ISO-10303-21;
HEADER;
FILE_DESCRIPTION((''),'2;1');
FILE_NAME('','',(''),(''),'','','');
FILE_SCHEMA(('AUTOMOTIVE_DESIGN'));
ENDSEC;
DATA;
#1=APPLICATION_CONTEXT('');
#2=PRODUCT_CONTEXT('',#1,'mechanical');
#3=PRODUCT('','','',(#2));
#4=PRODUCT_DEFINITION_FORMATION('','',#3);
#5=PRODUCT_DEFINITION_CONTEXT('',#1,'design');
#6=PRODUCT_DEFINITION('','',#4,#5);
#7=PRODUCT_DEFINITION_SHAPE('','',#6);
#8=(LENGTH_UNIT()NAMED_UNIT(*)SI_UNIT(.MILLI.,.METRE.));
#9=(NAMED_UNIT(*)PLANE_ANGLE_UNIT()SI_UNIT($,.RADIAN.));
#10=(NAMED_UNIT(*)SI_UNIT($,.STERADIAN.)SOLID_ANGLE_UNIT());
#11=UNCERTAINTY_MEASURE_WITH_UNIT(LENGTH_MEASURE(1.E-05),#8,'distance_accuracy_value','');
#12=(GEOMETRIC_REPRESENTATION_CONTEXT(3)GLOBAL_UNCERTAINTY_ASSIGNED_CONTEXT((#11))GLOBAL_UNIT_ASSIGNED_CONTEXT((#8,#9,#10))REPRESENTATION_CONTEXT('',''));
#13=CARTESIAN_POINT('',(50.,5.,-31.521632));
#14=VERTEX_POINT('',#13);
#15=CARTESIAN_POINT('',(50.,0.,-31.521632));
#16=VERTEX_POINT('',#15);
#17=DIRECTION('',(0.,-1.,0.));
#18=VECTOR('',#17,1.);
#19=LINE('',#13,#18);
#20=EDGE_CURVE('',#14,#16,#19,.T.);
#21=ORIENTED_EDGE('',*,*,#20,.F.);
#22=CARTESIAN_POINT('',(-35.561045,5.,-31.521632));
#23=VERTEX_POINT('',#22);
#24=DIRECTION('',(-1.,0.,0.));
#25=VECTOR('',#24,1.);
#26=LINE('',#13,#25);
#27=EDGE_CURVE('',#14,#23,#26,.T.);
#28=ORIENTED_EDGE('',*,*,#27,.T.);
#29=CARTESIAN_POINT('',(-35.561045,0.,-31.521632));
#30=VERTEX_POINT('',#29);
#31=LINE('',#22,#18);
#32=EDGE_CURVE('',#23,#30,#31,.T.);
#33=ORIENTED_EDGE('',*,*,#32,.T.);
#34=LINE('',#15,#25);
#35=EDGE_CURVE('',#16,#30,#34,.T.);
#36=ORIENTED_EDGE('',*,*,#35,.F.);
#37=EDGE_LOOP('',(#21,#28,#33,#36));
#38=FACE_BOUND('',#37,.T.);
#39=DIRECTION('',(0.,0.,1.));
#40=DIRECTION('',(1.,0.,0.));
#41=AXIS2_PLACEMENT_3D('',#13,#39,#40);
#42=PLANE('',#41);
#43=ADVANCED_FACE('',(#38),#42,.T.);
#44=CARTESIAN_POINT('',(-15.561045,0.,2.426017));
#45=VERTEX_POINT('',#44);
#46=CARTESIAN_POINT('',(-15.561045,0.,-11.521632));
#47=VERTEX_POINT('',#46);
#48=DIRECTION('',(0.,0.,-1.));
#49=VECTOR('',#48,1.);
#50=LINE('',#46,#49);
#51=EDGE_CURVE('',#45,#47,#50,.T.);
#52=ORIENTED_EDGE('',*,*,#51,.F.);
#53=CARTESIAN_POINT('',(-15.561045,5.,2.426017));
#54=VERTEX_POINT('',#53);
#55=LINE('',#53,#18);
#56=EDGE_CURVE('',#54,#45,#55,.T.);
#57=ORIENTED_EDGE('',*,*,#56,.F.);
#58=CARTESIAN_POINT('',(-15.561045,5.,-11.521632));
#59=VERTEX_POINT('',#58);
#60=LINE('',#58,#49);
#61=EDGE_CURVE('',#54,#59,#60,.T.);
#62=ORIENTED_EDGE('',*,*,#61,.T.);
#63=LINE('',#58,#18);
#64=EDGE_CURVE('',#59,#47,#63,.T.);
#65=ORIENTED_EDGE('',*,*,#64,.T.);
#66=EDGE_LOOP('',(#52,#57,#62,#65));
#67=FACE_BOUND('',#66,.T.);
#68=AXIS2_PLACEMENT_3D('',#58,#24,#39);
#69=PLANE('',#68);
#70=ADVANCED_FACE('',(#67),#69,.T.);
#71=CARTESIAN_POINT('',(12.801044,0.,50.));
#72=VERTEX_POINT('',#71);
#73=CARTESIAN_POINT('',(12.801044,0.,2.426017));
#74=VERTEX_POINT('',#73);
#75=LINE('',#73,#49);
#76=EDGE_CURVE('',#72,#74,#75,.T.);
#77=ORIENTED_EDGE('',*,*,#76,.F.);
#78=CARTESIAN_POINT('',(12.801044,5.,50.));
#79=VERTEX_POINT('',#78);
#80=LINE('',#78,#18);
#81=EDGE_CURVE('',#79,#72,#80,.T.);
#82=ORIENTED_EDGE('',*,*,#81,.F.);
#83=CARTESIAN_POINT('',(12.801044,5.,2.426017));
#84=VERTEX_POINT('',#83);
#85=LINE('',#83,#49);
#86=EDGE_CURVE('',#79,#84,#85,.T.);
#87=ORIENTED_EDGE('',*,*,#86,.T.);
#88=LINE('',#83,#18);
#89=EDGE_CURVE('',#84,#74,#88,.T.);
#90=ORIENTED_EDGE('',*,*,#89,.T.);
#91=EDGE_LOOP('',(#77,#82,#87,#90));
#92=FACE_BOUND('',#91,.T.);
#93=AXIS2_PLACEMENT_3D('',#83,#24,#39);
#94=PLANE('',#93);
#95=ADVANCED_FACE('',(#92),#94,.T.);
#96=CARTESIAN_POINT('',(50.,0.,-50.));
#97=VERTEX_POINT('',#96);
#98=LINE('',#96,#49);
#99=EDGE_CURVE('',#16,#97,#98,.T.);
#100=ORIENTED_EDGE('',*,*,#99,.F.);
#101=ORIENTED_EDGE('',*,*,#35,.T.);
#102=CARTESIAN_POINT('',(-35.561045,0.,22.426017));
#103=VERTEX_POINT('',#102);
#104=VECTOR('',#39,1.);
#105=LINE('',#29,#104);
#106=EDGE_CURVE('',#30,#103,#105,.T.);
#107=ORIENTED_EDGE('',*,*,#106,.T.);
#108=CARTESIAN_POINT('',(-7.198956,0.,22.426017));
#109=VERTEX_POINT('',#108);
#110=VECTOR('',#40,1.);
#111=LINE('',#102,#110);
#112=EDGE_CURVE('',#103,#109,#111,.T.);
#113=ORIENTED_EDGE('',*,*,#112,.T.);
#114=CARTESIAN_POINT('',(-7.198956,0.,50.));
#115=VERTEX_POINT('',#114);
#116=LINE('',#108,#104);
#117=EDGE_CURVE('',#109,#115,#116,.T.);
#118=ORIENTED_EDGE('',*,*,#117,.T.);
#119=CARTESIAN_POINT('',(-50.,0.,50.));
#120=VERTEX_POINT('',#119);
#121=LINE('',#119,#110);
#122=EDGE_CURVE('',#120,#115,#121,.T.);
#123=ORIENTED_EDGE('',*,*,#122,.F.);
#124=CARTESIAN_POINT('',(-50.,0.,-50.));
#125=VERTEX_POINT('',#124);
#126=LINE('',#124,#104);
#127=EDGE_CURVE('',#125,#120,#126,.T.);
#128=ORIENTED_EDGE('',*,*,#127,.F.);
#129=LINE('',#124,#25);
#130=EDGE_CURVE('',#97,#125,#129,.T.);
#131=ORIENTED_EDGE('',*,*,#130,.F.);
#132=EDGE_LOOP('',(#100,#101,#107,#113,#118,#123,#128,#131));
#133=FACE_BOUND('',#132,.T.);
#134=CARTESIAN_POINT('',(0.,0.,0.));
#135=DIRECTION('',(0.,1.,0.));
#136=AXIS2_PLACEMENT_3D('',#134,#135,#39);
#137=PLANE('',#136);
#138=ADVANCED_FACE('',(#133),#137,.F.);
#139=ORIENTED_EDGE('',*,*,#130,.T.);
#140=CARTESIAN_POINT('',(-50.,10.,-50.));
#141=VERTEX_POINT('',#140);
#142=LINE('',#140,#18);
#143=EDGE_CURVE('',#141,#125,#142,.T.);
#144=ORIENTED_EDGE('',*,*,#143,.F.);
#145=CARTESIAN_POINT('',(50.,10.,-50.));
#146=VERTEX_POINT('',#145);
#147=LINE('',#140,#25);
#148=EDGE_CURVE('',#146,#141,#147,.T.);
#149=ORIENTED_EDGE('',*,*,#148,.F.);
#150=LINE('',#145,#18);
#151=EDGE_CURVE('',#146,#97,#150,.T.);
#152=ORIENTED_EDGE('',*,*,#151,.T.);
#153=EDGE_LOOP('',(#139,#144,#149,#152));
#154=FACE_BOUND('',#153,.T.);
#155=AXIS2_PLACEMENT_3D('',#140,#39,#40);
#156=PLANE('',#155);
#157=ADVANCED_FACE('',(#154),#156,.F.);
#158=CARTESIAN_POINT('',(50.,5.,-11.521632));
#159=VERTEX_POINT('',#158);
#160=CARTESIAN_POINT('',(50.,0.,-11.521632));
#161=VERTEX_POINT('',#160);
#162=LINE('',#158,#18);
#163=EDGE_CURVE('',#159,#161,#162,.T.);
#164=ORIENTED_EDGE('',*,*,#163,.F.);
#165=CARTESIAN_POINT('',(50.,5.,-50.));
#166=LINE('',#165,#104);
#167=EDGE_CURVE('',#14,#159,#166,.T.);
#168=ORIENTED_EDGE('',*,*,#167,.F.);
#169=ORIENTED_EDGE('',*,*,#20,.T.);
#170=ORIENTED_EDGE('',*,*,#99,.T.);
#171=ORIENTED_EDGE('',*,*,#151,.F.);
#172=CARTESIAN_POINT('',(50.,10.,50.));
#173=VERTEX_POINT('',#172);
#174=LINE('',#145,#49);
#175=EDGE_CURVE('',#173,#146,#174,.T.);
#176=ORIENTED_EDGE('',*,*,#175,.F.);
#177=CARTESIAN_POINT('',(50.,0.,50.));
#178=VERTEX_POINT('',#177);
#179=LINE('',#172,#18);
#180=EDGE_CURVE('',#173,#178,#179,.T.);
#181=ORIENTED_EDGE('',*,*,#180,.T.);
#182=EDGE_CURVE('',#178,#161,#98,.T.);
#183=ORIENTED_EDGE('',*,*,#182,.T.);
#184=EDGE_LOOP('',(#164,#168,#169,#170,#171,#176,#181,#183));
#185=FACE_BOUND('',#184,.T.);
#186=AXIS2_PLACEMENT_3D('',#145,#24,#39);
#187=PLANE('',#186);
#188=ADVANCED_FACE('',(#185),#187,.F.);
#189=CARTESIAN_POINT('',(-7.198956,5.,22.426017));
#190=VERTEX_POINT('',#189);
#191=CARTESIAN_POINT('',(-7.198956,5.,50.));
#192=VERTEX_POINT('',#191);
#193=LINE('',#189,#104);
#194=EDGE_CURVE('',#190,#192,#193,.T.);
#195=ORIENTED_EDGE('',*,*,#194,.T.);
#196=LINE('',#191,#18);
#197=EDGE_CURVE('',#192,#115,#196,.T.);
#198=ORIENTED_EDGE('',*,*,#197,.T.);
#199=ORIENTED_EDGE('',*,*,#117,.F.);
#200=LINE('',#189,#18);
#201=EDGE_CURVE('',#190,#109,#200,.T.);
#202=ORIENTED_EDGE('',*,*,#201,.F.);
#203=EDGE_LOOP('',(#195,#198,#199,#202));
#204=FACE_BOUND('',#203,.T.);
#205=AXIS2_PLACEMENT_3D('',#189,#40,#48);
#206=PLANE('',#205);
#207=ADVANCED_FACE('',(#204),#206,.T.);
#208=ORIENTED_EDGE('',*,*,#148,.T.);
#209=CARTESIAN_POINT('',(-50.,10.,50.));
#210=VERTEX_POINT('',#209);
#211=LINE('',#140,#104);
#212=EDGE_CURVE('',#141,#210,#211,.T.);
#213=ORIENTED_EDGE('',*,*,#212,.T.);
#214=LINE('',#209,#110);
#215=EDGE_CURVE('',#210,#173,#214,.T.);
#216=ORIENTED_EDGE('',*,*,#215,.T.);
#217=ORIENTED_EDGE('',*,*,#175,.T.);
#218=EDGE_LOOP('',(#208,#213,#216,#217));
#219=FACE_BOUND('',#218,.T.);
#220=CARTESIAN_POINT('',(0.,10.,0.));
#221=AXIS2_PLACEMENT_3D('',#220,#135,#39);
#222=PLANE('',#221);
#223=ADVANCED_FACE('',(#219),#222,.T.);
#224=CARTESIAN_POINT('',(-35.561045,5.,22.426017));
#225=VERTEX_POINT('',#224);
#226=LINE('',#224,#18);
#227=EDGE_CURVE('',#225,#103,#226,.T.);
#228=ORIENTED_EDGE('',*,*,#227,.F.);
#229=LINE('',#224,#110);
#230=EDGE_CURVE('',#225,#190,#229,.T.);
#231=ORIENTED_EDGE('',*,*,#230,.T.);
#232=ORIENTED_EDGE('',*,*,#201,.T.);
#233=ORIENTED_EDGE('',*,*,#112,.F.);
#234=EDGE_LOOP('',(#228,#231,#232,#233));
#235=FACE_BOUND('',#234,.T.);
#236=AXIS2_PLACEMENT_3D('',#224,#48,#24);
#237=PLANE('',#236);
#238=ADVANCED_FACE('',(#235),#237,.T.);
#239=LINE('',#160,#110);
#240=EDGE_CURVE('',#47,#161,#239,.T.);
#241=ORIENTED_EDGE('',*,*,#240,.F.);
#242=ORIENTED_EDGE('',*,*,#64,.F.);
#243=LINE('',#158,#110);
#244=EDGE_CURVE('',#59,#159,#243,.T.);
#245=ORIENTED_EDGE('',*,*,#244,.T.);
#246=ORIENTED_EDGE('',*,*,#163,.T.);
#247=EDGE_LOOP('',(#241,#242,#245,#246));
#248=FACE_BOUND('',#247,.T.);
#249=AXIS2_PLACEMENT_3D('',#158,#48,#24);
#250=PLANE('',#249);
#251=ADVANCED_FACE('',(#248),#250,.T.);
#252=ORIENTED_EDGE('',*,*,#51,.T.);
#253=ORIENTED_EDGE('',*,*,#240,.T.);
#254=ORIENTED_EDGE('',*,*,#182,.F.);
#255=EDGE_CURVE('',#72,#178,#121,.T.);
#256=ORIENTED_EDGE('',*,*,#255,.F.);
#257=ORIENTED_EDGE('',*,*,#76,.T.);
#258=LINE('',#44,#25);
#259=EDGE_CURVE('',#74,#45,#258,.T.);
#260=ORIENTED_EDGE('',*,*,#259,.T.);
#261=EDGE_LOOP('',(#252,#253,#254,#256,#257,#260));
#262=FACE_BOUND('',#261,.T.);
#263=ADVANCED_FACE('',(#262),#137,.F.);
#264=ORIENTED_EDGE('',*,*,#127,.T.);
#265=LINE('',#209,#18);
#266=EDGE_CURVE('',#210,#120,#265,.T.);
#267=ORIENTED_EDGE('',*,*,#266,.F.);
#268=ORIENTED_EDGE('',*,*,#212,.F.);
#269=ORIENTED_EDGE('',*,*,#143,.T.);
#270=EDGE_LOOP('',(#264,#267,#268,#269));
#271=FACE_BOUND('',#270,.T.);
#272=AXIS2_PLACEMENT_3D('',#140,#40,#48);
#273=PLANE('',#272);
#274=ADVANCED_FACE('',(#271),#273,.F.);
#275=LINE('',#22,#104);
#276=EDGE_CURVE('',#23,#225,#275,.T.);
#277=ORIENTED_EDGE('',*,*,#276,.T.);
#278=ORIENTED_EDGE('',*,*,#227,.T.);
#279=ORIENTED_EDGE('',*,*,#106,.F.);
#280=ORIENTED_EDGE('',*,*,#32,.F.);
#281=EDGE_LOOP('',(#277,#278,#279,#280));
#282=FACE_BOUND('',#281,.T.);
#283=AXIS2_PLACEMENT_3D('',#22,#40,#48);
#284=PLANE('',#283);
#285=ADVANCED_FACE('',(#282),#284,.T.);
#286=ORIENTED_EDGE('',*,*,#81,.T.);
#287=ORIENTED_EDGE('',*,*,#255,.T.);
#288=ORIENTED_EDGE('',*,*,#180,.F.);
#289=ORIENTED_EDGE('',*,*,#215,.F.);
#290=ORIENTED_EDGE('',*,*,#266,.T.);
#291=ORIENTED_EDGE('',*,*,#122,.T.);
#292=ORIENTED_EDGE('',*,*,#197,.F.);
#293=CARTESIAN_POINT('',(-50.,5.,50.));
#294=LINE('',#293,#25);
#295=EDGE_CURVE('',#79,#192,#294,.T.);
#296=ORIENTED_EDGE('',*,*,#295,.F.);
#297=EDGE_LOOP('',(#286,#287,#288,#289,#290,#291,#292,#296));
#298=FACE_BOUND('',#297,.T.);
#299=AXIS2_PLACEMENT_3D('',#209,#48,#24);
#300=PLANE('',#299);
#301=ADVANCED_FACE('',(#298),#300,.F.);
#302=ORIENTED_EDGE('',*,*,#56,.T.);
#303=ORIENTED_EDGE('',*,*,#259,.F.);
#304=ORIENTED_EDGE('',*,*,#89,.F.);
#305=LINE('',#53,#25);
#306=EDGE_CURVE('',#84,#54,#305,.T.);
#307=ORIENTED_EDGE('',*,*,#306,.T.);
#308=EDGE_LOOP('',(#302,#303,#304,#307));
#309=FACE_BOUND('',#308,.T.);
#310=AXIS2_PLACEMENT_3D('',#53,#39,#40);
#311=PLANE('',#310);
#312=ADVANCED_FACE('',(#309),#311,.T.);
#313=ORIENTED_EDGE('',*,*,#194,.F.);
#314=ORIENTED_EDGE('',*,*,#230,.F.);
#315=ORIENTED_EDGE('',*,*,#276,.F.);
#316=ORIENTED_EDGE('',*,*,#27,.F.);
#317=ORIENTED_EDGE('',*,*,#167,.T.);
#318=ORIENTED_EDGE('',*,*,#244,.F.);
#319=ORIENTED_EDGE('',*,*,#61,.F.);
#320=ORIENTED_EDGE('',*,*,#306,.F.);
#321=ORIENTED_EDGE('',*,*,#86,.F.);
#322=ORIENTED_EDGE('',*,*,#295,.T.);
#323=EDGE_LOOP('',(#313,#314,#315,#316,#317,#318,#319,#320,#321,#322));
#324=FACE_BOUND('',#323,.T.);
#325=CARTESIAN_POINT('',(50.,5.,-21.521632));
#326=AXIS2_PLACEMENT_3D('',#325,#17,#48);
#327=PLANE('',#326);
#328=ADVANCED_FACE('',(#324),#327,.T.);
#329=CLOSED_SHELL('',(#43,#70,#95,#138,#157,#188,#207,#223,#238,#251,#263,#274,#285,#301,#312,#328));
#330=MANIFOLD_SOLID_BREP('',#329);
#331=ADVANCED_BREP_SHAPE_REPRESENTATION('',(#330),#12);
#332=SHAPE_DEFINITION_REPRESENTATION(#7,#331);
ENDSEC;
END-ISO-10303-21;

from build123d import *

# Parameters (mm, degrees)
SKIZZE1_W                       = 100
SKIZZE1_H                       = 100
AUFSATZ_LINEAR_AUSTRAGEN1_DEPTH = 10
SCHNITT_LINEAR_AUSTRAGEN1_DEPTH = 5


with BuildPart() as part:
    # Skizze1 → Aufsatz-Linear austragen1 (new body)
    with BuildSketch(Plane(origin=(0, 0, 0), x_dir=(1, 0, 0), z_dir=(0, 1, 0))):
        Rectangle(SKIZZE1_W, SKIZZE1_H)
    extrude(amount=AUFSATZ_LINEAR_AUSTRAGEN1_DEPTH)

    # Skizze3 → Schnitt-Linear austragen1 (cut)
    with BuildSketch(Plane(origin=(0, 0, 0), x_dir=(1, 0, 0), z_dir=(0, 1, 0))):
        with BuildLine():
            Line((50, 31.52163249), (-35.561044575, 31.52163249))
            Line((-35.561044575, 31.52163249), (-35.561044575, -22.426016782))
            Line((-35.561044575, -22.426016782), (-7.198956111, -22.426016782))
            Line((-7.198956111, -22.426016782), (-7.198956111, -50))
            ThreePointArc((-7.198956111, -50), (2.801043889, -60), (12.801043889, -50))
            Line((12.801043889, -50), (12.801043889, -2.426016782))
            Line((12.801043889, -2.426016782), (-15.561044575, -2.426016782))
            Line((-15.561044575, -2.426016782), (-15.561044575, 11.52163249))
            Line((-15.561044575, 11.52163249), (50, 11.52163249))
            ThreePointArc((50, 11.52163249), (60, 21.52163249), (50, 31.52163249))
        make_face()
    extrude(amount=SCHNITT_LINEAR_AUSTRAGEN1_DEPTH, mode=Mode.SUBTRACT)


solid = part.part
